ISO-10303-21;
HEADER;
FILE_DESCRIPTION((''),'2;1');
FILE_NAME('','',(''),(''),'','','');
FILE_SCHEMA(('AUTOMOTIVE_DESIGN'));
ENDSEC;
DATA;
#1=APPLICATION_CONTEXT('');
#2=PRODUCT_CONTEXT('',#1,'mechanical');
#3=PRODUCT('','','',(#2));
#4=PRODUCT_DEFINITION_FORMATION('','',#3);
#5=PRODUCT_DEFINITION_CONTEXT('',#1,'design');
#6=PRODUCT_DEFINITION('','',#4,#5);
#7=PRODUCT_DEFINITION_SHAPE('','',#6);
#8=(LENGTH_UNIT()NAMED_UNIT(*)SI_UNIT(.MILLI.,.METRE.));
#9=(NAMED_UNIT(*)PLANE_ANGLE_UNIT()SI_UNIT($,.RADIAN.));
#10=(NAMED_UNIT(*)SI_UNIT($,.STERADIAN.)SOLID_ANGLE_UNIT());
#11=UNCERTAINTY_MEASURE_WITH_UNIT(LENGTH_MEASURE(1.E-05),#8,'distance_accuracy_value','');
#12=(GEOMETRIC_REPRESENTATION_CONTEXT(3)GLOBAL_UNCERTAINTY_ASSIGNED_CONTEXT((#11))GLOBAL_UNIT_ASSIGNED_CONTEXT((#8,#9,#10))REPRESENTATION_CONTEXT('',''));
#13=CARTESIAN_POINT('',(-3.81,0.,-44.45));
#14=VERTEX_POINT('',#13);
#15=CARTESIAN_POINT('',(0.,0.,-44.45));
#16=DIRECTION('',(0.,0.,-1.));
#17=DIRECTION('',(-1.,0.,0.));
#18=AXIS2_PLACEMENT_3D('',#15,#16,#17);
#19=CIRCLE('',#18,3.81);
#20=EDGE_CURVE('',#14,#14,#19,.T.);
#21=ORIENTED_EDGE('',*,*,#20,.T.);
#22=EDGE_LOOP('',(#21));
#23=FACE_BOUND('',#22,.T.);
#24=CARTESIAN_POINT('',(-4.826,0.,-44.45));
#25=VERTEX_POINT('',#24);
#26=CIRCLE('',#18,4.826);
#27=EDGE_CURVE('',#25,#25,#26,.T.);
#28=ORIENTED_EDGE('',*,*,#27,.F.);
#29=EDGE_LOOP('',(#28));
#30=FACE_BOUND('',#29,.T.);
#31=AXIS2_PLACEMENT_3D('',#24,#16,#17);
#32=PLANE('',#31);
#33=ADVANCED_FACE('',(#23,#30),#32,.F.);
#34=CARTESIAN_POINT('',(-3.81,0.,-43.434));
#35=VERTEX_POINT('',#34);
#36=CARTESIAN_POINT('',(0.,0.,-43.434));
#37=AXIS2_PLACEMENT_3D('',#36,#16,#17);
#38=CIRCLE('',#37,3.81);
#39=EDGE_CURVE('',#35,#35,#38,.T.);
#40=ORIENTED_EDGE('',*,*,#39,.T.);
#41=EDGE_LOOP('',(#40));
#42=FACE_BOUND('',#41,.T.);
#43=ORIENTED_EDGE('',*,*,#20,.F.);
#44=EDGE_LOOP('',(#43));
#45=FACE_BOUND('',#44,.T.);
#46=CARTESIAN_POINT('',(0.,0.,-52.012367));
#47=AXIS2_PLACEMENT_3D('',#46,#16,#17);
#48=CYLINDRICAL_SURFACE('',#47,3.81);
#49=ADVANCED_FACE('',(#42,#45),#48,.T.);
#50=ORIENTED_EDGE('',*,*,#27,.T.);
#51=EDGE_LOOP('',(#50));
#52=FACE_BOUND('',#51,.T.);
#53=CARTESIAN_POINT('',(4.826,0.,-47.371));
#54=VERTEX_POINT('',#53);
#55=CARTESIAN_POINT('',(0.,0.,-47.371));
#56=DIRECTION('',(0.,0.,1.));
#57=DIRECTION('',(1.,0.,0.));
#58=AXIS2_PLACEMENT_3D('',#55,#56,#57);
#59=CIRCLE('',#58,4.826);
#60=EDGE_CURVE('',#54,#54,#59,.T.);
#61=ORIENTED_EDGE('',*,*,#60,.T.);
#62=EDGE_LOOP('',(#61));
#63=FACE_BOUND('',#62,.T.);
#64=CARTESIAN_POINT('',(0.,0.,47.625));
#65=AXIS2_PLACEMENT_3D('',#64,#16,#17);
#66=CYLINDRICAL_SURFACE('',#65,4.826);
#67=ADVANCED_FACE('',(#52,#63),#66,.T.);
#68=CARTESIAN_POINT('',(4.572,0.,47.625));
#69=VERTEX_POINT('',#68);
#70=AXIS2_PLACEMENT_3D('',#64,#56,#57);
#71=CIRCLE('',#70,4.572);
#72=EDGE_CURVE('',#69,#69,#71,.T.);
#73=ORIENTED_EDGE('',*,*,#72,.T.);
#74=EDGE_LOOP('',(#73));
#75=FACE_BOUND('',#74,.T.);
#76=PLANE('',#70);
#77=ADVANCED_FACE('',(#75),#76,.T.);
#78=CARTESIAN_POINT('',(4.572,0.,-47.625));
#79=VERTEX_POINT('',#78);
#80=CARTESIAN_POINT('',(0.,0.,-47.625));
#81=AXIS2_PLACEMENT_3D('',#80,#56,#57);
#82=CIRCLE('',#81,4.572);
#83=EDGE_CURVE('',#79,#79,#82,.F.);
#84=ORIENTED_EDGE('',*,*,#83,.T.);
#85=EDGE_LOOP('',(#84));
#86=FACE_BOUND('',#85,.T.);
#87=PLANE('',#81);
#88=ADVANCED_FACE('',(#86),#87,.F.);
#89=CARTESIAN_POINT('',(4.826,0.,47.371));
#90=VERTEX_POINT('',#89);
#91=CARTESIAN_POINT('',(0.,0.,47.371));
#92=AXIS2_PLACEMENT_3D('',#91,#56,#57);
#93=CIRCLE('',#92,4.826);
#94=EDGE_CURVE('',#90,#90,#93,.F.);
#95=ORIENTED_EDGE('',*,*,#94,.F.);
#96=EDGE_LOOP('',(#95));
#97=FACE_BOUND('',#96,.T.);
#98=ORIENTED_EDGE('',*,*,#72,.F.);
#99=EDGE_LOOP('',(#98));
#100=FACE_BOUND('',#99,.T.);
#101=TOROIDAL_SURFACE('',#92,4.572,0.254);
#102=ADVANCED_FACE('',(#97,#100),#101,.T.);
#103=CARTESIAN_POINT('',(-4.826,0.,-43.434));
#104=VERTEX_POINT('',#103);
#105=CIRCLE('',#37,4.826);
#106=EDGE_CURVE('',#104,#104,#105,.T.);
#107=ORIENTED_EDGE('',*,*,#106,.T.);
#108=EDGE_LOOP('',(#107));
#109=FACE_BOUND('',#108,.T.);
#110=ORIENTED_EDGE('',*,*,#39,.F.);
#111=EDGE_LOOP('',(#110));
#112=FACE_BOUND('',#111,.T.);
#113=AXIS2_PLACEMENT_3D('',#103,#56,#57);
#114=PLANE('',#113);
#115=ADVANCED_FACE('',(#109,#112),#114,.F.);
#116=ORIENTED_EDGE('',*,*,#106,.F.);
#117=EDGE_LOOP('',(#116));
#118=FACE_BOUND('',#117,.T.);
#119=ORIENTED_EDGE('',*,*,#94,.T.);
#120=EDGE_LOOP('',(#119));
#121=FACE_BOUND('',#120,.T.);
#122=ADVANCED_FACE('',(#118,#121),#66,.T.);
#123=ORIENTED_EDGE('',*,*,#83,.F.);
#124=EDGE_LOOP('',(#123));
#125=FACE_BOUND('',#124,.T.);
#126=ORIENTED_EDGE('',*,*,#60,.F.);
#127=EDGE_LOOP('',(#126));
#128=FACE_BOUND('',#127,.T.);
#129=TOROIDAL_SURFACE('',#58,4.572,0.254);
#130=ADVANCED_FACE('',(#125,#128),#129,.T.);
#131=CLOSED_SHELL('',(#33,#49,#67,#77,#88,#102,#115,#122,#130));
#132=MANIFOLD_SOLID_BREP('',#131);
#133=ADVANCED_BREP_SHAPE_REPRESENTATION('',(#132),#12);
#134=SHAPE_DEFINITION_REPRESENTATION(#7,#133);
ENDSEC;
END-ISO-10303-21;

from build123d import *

# Parameters (mm, degrees)
SKETCH1_R           = 4.826
BOSS_EXTRUDE1_DEPTH = 47.625
SKETCH2_W           = 1.016
SKETCH2_H           = 1.016
FILLET1_R           = 0.254


with BuildPart() as part:
    # Sketch1 → Boss-Extrude1 (new, symmetric)
    with BuildSketch(Plane.XY):
        Circle(SKETCH1_R)
    extrude(amount=BOSS_EXTRUDE1_DEPTH, both=True)

    # Sketch2 → Cut-Revolve1 (revolve, cut)
    with BuildSketch(Plane(origin=(0, 0, 0), x_dir=(1, 0, 0), z_dir=(0, 1, 0))):
        with Locations((-4.318, 43.942)):
            Rectangle(SKETCH2_W, SKETCH2_H)
    revolve(axis=Axis((0, 0, -52.012367131), (0, 0, 1)), mode=Mode.SUBTRACT)

    # Fillet1
    fillet1_edges = [part.edges().sort_by_distance(p)[0] for p in [
        (-4.826, 0, -47.625),
        (-4.826, 0, 47.625),
    ]]
    fillet(fillet1_edges, radius=FILLET1_R)


solid = part.part
